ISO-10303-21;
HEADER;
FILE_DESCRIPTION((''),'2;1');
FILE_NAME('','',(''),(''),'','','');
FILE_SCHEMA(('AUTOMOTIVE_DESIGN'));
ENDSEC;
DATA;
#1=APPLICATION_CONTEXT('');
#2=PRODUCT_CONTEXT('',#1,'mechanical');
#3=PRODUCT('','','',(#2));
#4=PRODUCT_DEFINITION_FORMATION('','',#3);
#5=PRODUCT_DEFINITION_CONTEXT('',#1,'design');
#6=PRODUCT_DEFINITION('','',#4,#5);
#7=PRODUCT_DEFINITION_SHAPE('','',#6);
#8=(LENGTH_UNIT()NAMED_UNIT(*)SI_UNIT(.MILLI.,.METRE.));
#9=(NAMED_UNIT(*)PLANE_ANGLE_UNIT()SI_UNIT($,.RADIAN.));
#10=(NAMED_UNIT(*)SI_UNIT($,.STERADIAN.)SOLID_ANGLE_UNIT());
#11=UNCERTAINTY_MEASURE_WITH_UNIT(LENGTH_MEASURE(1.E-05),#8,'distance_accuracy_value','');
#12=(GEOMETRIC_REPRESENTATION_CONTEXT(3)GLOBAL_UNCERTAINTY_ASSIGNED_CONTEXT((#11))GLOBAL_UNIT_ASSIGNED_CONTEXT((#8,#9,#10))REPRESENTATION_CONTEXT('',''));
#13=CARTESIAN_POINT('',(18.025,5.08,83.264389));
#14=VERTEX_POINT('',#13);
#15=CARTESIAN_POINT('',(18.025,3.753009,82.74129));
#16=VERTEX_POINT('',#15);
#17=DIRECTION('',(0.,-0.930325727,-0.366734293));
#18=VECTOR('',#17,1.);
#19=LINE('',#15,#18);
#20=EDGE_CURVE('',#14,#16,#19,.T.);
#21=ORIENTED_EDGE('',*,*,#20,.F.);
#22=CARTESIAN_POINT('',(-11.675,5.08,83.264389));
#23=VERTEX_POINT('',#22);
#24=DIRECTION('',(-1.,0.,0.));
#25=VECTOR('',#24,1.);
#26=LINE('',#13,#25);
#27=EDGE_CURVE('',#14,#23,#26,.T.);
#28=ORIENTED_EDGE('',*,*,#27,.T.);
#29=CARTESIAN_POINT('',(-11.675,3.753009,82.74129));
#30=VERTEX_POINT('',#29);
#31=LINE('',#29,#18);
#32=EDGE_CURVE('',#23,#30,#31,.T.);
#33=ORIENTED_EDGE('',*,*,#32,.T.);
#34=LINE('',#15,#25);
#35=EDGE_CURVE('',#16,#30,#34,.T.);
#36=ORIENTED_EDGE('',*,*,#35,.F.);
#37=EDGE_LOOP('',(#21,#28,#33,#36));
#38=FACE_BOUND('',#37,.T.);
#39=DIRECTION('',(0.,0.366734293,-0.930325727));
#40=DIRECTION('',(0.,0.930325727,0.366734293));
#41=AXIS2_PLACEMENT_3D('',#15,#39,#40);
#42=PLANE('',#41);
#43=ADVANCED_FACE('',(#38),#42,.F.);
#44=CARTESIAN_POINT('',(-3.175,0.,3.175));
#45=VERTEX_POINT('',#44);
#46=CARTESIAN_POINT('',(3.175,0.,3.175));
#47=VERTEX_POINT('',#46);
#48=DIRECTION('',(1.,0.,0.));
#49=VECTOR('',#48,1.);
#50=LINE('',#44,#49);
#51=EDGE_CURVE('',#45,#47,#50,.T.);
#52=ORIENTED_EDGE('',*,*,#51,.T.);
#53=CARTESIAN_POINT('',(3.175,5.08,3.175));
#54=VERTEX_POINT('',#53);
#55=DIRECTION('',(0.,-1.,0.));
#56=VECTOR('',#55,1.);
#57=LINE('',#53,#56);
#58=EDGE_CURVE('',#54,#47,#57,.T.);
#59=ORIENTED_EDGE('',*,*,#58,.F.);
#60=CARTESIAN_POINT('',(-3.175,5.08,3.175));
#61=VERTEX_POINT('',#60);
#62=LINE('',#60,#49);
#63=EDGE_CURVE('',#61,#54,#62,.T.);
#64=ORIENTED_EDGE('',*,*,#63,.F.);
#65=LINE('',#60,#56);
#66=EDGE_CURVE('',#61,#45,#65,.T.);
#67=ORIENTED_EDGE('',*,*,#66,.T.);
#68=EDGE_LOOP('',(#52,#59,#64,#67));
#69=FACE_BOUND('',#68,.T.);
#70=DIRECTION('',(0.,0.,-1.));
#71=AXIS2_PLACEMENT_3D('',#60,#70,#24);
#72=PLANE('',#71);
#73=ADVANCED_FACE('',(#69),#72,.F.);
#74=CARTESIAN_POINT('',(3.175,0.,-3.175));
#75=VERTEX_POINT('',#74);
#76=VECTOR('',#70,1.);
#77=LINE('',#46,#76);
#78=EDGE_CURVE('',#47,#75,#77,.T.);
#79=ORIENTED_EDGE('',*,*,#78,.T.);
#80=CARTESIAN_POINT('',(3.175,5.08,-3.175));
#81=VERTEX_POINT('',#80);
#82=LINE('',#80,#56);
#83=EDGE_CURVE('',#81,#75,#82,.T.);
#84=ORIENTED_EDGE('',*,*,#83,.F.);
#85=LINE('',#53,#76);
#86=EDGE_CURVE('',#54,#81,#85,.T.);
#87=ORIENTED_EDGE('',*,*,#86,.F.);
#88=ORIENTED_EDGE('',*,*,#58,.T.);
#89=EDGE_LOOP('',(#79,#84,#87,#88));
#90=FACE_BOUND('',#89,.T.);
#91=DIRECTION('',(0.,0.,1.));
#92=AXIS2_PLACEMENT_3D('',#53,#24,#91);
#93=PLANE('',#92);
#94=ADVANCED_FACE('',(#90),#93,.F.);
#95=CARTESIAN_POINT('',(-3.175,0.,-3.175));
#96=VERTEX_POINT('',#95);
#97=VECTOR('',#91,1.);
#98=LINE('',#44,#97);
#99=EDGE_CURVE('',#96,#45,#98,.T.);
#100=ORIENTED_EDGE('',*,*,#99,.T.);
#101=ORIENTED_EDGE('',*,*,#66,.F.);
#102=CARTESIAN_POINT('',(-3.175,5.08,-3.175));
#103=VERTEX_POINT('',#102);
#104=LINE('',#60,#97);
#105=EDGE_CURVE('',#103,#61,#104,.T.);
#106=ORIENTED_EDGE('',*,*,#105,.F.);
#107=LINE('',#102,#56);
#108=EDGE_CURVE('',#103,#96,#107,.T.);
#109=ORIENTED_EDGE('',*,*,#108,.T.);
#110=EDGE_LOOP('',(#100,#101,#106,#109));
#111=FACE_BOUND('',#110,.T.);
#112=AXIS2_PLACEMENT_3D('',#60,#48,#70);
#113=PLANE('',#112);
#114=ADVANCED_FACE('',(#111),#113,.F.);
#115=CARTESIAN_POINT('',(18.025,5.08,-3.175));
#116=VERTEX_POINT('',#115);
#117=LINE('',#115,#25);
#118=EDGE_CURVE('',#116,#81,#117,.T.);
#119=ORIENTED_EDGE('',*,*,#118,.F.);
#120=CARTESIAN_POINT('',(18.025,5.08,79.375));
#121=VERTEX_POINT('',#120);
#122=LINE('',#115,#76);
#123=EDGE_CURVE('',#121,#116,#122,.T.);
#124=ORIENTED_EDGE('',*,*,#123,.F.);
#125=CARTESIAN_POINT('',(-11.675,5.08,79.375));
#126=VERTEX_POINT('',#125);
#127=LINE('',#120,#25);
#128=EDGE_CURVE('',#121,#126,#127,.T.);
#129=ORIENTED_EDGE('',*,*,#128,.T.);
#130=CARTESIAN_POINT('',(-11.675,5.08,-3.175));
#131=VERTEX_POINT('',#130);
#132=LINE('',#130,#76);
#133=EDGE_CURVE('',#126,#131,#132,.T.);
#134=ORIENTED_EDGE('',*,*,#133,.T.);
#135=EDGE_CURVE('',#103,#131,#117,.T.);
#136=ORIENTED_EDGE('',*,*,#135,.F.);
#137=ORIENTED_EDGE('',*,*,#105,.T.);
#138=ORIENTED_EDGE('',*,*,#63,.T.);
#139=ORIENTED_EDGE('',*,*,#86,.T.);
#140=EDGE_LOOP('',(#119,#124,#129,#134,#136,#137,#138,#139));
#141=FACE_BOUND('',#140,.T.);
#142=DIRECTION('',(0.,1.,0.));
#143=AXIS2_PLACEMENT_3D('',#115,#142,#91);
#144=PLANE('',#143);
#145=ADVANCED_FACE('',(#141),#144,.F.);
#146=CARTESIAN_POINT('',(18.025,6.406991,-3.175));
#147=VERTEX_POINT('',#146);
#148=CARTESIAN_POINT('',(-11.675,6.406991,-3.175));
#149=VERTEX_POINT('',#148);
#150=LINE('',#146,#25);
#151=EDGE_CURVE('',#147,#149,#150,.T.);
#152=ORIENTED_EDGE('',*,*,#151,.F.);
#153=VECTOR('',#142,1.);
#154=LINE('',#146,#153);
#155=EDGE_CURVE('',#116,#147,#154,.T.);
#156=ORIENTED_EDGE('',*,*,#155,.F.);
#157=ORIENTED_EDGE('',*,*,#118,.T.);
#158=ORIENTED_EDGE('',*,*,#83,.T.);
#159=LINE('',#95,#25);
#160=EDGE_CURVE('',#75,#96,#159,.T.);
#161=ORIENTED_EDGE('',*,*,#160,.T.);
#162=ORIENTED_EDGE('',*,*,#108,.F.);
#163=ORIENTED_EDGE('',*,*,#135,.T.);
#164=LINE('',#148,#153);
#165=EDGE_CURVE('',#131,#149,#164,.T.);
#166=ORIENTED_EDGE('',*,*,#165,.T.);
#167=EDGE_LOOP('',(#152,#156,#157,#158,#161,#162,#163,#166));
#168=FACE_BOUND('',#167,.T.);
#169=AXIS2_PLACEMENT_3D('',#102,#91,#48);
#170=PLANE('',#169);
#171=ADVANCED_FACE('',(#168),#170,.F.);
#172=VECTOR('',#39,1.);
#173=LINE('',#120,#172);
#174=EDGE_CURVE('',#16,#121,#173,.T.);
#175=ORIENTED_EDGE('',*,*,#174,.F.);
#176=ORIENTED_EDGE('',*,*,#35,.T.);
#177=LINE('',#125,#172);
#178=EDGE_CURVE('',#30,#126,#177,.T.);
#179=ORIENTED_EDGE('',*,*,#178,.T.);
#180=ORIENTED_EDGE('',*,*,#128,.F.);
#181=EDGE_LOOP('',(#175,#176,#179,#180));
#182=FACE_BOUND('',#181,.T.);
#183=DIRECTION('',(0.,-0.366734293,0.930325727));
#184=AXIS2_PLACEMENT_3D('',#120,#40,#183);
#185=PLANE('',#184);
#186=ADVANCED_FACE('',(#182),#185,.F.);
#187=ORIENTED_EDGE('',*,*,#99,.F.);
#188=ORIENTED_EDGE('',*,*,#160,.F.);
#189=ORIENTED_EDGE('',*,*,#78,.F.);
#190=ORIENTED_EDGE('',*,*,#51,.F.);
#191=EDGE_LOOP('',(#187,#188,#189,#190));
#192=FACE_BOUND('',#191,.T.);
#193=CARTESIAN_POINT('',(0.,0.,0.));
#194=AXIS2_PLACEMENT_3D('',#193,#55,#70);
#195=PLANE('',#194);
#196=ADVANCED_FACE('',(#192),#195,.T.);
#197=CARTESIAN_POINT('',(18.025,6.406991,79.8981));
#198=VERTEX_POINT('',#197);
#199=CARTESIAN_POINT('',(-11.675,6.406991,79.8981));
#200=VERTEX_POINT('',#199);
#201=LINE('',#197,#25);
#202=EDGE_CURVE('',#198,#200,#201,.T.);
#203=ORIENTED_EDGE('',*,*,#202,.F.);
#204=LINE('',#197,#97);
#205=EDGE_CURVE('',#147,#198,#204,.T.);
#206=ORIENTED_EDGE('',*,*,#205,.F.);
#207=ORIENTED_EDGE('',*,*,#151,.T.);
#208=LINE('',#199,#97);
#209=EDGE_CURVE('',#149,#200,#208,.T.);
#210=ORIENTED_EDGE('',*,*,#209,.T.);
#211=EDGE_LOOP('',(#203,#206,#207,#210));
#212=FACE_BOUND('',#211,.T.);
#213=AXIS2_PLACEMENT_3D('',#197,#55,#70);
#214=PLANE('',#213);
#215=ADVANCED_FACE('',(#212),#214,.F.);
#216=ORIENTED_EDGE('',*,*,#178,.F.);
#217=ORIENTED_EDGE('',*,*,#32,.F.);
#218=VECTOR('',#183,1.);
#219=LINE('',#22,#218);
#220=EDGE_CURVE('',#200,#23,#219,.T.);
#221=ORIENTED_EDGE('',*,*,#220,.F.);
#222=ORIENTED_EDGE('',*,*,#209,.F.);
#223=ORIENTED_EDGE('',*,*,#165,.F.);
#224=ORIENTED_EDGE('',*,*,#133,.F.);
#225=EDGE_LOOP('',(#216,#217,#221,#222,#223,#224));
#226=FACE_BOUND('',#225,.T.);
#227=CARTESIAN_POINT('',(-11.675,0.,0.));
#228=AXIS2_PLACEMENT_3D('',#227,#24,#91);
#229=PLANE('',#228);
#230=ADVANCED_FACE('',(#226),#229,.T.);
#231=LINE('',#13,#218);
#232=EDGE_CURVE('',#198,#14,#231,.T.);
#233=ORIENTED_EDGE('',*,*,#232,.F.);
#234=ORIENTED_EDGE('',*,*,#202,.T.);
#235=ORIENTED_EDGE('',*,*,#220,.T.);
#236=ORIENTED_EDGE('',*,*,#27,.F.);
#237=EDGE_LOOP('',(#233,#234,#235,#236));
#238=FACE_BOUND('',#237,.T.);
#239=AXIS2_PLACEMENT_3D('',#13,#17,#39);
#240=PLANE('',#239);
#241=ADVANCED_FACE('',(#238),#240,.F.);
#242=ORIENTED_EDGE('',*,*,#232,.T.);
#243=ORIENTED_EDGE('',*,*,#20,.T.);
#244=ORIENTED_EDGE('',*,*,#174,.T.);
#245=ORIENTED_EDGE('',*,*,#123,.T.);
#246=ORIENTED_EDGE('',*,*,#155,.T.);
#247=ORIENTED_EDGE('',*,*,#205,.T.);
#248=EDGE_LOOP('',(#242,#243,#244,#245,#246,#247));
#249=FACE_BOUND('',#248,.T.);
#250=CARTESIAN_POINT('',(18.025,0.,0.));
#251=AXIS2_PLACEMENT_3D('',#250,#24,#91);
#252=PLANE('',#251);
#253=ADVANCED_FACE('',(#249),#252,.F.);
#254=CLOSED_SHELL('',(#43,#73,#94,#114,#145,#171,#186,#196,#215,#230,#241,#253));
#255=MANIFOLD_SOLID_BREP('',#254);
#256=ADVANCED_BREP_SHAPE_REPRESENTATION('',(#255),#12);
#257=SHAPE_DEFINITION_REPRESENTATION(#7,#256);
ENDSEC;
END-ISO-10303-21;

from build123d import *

# Parameters (mm, degrees)
SKETCH1_W                = 6.35
SKETCH1_H                = 6.35
BOSS_EXTRUDE1_DEPTH      = 5.08
BOSS_EXTRUDE2_DEPTH      = 14.850000018
BOSS_EXTRUDE2_DEPTH_BACK = 14.850000018


with BuildPart() as part:
    # Sketch1 → Boss-Extrude1 (new body)
    with BuildSketch(Plane(origin=(0, 0, 0), x_dir=(1, 0, 0), z_dir=(0, 1, 0))):
        Rectangle(SKETCH1_W, SKETCH1_H)
    extrude(amount=BOSS_EXTRUDE1_DEPTH)

    # Sketch2 → Boss-Extrude2 (add, two sides)
    with BuildSketch(Plane(origin=(3.175, 0, 0), x_dir=(0, 0, -1), z_dir=(1, 0, 0))) as boss_extrude2_sk:
        Polygon((3.175, 5.08), (-79.375, 5.08), (-82.741289638, 3.753009016), (-83.26438933, 5.08), (-79.898099692, 6.406990984), (3.175, 6.406990984), align=None)
    extrude(amount=BOSS_EXTRUDE2_DEPTH)
    extrude(boss_extrude2_sk.sketch, amount=-BOSS_EXTRUDE2_DEPTH_BACK)


solid = part.part
